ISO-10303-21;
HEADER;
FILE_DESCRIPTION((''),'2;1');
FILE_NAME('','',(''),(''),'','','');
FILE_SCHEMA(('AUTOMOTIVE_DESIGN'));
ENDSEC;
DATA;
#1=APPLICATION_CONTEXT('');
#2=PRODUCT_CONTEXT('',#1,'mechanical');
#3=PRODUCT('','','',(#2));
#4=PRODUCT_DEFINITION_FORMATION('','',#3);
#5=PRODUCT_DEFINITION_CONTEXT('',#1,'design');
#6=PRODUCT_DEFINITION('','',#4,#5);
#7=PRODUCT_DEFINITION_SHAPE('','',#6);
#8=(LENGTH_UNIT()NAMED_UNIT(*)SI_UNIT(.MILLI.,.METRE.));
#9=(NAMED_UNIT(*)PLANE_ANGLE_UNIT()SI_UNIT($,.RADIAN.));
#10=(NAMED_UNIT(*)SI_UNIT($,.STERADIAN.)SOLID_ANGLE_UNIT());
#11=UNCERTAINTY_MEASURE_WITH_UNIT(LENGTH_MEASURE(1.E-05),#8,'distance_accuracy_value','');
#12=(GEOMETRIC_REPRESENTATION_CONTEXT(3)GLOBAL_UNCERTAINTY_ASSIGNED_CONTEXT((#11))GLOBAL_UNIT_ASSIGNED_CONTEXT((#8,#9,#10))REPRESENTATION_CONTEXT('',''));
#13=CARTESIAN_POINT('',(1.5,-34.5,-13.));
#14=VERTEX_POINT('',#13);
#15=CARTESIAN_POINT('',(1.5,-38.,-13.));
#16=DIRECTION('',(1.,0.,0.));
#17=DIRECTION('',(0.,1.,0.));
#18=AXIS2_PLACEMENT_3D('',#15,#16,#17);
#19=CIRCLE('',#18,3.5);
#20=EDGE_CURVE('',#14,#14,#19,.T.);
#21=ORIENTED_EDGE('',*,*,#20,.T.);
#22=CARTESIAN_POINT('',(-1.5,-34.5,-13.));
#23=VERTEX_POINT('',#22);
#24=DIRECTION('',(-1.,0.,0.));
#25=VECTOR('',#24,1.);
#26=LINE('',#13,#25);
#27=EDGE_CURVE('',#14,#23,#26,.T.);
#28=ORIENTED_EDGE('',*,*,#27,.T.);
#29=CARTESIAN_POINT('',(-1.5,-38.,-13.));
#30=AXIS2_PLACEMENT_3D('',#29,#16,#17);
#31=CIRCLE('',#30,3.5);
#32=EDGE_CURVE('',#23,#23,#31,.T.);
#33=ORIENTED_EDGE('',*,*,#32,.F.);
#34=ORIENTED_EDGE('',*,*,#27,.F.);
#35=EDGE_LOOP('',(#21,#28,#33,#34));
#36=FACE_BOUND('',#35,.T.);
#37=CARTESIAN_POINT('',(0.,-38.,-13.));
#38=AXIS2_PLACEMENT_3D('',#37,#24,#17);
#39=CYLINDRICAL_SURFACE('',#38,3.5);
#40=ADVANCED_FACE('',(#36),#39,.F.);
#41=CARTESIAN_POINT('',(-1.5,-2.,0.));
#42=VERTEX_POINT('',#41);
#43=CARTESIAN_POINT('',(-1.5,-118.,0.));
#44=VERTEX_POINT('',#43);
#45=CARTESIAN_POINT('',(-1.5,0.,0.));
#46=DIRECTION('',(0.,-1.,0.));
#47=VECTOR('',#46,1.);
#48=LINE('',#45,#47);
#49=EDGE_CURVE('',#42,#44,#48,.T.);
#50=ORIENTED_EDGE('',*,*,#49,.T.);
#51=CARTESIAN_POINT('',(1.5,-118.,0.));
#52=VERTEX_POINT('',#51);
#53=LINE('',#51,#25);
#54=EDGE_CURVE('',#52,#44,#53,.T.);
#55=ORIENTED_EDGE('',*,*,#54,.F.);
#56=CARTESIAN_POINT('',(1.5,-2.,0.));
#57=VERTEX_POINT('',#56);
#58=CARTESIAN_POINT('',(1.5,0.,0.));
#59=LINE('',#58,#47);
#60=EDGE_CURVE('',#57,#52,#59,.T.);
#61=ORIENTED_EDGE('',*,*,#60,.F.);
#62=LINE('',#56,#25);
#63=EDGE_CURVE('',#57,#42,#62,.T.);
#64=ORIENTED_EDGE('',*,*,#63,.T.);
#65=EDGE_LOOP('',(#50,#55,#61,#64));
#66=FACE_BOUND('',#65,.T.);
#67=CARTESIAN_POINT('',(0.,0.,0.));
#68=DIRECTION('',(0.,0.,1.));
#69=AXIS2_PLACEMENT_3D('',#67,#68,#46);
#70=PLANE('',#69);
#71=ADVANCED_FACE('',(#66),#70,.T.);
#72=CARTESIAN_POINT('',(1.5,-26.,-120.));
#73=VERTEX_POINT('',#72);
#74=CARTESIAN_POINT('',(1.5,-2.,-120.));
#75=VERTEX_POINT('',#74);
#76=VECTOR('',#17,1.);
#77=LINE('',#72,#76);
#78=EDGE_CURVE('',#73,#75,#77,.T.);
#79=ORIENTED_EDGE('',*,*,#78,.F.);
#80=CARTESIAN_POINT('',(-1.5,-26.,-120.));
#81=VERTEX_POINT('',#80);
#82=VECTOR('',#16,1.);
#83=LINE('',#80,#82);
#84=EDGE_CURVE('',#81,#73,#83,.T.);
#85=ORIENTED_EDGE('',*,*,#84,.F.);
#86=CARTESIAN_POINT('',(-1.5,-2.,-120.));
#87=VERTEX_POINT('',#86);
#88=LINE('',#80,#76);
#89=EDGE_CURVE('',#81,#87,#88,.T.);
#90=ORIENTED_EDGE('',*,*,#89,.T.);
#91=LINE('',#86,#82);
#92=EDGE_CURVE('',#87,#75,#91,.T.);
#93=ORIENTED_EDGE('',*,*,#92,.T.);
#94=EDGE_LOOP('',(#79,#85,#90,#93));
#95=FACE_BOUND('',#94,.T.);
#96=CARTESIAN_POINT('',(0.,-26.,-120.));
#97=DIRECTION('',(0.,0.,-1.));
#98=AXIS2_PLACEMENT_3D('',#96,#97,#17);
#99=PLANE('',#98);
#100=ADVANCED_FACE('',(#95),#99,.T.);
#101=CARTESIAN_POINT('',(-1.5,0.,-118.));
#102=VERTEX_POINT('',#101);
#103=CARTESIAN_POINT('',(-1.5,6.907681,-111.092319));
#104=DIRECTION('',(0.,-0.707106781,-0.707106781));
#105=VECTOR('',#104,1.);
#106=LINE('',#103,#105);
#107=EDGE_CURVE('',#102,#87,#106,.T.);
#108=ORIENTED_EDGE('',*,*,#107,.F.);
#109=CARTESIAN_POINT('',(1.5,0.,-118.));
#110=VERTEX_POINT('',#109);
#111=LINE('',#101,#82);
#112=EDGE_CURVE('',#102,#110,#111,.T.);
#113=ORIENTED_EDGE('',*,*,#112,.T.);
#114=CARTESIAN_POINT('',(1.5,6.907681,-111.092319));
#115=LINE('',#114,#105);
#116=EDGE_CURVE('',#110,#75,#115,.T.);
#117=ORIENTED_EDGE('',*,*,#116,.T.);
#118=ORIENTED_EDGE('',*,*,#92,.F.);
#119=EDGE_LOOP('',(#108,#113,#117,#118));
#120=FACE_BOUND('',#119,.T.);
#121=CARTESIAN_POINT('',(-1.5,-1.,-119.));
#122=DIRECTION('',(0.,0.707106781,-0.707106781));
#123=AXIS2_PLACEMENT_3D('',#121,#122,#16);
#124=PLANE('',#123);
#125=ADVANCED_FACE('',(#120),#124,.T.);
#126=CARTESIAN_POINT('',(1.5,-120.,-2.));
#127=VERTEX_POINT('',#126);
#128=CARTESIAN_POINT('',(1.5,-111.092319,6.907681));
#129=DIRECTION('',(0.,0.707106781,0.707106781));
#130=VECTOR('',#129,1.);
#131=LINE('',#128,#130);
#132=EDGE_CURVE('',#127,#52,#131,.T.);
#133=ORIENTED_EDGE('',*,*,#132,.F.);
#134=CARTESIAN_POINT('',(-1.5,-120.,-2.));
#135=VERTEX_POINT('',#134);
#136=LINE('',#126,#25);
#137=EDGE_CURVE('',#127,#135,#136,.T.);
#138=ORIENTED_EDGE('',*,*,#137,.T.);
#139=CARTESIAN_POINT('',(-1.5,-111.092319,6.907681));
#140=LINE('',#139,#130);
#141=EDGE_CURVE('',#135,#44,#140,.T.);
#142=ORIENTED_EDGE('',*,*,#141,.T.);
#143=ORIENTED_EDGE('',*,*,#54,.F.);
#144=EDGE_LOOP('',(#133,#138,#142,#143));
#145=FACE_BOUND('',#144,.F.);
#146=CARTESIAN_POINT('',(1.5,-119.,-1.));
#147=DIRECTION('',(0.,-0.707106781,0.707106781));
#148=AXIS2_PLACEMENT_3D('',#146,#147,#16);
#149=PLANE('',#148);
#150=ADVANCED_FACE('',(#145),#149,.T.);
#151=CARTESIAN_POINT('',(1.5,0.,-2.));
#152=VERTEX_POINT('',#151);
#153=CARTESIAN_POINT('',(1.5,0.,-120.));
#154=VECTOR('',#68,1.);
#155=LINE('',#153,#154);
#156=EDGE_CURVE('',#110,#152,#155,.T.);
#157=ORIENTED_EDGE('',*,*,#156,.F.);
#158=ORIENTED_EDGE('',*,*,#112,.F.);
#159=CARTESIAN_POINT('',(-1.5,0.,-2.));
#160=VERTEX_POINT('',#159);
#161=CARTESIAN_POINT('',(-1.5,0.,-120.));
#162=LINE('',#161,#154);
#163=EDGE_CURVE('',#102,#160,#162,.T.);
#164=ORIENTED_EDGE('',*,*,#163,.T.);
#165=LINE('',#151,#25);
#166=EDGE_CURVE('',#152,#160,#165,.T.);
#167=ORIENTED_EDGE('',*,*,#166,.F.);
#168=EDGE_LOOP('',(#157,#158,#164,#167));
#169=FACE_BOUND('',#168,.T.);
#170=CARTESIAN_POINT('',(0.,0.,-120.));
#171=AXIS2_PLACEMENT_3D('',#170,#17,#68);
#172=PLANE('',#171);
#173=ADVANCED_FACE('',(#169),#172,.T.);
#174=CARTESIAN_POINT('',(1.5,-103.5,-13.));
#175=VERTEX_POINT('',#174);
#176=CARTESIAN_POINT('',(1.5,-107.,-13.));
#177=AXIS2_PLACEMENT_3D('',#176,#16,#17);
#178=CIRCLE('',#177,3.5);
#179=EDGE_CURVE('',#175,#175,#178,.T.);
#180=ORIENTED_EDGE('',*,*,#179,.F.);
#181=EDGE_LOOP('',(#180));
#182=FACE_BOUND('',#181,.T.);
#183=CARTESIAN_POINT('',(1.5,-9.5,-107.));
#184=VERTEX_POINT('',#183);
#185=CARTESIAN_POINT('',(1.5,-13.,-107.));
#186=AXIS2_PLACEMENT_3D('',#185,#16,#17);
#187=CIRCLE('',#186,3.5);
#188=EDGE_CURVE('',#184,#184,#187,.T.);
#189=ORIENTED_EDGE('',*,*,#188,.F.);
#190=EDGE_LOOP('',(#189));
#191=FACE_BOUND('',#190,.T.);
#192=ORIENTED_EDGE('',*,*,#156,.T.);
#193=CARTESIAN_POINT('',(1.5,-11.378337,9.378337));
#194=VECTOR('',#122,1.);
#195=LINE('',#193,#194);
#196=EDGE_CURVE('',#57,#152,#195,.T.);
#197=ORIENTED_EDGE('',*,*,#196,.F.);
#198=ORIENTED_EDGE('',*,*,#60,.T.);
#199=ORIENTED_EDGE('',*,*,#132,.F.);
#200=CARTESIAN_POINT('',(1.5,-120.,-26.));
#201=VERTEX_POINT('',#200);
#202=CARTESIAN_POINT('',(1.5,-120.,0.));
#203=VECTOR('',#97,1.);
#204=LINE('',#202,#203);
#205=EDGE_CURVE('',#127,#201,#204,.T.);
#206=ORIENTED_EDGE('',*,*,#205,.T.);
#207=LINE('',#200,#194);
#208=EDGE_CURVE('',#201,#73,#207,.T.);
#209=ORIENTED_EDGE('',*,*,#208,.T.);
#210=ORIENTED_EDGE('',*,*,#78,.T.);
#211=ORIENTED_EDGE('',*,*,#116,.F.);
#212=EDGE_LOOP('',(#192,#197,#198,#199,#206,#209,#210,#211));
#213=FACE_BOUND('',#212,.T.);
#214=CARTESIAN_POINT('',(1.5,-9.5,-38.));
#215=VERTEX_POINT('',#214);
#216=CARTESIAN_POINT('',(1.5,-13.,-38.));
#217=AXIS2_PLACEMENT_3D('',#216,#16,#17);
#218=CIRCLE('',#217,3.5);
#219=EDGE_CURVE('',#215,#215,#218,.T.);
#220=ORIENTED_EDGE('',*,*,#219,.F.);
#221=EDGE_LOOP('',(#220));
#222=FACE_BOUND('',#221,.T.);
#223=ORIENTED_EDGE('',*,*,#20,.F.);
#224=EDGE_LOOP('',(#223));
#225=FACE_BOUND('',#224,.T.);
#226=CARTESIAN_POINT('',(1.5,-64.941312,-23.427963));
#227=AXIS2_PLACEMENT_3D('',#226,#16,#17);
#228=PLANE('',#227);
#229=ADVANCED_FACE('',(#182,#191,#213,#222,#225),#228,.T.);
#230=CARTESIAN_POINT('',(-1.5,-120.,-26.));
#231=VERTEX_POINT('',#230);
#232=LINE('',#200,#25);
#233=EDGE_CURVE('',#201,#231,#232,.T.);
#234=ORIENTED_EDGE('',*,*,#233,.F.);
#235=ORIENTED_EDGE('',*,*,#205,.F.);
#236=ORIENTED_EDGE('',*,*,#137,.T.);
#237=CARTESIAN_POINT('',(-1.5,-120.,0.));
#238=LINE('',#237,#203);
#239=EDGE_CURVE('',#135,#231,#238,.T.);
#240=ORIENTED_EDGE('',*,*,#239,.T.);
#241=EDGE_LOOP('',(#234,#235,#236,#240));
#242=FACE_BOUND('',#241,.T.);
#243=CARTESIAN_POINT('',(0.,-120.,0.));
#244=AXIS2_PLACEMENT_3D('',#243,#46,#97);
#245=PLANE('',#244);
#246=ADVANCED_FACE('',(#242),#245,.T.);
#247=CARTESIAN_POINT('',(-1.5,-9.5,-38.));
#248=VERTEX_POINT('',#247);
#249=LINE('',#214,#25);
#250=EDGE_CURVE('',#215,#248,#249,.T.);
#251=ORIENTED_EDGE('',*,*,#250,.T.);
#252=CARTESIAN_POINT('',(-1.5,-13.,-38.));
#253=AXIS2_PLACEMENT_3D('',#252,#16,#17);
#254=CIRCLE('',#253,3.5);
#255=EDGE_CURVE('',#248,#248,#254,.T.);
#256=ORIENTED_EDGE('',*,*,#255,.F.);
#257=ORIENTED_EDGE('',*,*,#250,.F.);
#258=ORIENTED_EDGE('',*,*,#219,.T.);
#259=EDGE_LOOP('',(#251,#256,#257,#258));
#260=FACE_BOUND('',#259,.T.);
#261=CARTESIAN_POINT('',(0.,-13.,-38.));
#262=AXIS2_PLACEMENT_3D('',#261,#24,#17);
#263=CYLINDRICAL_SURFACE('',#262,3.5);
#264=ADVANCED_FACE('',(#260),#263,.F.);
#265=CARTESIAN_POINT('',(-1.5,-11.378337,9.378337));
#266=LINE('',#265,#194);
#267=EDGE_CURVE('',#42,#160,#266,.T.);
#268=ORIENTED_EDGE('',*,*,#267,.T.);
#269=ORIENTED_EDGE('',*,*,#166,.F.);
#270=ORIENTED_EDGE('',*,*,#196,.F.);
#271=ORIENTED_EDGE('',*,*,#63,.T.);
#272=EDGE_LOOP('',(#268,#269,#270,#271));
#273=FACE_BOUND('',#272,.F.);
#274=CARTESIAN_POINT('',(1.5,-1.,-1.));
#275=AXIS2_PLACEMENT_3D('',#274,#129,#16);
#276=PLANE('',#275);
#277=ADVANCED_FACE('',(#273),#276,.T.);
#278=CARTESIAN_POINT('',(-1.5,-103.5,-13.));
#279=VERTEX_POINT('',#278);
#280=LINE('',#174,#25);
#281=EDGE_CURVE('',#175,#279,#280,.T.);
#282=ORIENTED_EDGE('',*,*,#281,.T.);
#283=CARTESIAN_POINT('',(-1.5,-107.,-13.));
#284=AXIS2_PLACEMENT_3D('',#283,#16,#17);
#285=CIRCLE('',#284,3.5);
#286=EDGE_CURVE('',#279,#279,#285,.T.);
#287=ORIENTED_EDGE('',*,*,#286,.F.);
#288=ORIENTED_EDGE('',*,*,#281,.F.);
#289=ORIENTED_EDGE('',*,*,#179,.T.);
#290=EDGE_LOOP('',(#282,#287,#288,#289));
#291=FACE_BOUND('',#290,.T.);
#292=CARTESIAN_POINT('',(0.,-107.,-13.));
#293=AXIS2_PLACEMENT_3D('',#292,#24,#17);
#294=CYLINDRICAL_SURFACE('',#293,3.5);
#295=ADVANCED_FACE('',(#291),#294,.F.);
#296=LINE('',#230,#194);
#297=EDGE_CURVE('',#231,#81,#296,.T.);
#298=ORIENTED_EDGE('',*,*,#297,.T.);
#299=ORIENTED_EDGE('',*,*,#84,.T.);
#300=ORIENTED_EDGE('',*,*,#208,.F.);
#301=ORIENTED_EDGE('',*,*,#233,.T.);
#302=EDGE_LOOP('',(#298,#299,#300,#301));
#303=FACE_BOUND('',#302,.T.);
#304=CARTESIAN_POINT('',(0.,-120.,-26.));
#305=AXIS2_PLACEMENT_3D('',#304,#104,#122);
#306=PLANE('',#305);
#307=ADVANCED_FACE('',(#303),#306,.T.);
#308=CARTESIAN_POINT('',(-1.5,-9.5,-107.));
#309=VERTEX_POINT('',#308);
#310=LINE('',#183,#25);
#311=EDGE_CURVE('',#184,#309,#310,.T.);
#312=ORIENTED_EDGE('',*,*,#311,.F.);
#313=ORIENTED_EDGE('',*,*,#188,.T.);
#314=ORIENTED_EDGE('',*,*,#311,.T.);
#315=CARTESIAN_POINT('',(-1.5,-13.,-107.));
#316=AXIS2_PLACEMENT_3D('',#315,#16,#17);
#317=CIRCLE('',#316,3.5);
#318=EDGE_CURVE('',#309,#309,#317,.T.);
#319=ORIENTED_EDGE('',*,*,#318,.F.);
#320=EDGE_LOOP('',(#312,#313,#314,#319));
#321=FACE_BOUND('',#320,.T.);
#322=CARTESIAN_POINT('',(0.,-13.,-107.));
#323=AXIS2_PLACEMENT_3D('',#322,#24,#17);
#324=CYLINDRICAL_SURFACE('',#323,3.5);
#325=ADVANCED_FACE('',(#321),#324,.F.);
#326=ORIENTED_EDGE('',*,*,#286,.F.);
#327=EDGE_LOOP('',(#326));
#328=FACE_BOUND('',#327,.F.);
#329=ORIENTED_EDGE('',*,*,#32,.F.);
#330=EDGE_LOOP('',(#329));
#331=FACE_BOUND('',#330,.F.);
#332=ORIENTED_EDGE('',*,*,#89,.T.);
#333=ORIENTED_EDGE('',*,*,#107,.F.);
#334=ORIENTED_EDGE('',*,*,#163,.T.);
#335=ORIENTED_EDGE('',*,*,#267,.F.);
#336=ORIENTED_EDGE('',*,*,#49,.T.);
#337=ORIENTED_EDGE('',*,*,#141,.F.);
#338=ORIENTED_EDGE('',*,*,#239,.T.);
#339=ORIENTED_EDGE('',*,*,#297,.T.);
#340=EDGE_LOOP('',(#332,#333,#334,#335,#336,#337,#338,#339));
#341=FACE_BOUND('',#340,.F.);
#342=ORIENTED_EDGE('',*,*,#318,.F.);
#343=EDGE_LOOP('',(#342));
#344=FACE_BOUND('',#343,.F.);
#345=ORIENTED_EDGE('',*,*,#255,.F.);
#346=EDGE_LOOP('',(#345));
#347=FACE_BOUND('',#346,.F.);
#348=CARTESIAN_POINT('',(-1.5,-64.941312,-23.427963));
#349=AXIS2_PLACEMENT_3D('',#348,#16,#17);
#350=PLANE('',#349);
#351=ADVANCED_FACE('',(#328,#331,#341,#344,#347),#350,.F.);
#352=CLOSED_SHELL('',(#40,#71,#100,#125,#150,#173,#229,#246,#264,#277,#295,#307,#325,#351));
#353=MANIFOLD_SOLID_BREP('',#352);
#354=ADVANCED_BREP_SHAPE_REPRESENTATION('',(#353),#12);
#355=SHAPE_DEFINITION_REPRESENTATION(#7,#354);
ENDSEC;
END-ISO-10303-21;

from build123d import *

# Parameters (mm, degrees)
F0_R     = 3.5
F1_DEPTH = 1.5
F2_SIZE  = 2


with BuildPart() as f1:
    # F0 (on Right) → F1 (new body, symmetric)
    with BuildSketch(Plane.YZ):
        Polygon((-73, -73), (0, 0), (-120, 0), (-120, -26), align=None)
        with Locations((-107, -13)):
            Circle(F0_R, mode=Mode.SUBTRACT)
        with Locations((-38, -13)):
            Circle(F0_R, mode=Mode.SUBTRACT)
        Polygon((0, -120), (0, 0), (-73, -73), (-26, -120), align=None)
        with Locations((-13, -107)):
            Circle(F0_R, mode=Mode.SUBTRACT)
        with Locations((-13, -38)):
            Circle(F0_R, mode=Mode.SUBTRACT)
    extrude(amount=F1_DEPTH, both=True)

    # F2
    f2_edges = [f1.edges().sort_by_distance(p)[0] for p in [
        (0, -120, 0),
        (0, 0, 0),
        (0, 0, -120),
    ]]
    chamfer(f2_edges, length=F2_SIZE)


solid = f1.part
